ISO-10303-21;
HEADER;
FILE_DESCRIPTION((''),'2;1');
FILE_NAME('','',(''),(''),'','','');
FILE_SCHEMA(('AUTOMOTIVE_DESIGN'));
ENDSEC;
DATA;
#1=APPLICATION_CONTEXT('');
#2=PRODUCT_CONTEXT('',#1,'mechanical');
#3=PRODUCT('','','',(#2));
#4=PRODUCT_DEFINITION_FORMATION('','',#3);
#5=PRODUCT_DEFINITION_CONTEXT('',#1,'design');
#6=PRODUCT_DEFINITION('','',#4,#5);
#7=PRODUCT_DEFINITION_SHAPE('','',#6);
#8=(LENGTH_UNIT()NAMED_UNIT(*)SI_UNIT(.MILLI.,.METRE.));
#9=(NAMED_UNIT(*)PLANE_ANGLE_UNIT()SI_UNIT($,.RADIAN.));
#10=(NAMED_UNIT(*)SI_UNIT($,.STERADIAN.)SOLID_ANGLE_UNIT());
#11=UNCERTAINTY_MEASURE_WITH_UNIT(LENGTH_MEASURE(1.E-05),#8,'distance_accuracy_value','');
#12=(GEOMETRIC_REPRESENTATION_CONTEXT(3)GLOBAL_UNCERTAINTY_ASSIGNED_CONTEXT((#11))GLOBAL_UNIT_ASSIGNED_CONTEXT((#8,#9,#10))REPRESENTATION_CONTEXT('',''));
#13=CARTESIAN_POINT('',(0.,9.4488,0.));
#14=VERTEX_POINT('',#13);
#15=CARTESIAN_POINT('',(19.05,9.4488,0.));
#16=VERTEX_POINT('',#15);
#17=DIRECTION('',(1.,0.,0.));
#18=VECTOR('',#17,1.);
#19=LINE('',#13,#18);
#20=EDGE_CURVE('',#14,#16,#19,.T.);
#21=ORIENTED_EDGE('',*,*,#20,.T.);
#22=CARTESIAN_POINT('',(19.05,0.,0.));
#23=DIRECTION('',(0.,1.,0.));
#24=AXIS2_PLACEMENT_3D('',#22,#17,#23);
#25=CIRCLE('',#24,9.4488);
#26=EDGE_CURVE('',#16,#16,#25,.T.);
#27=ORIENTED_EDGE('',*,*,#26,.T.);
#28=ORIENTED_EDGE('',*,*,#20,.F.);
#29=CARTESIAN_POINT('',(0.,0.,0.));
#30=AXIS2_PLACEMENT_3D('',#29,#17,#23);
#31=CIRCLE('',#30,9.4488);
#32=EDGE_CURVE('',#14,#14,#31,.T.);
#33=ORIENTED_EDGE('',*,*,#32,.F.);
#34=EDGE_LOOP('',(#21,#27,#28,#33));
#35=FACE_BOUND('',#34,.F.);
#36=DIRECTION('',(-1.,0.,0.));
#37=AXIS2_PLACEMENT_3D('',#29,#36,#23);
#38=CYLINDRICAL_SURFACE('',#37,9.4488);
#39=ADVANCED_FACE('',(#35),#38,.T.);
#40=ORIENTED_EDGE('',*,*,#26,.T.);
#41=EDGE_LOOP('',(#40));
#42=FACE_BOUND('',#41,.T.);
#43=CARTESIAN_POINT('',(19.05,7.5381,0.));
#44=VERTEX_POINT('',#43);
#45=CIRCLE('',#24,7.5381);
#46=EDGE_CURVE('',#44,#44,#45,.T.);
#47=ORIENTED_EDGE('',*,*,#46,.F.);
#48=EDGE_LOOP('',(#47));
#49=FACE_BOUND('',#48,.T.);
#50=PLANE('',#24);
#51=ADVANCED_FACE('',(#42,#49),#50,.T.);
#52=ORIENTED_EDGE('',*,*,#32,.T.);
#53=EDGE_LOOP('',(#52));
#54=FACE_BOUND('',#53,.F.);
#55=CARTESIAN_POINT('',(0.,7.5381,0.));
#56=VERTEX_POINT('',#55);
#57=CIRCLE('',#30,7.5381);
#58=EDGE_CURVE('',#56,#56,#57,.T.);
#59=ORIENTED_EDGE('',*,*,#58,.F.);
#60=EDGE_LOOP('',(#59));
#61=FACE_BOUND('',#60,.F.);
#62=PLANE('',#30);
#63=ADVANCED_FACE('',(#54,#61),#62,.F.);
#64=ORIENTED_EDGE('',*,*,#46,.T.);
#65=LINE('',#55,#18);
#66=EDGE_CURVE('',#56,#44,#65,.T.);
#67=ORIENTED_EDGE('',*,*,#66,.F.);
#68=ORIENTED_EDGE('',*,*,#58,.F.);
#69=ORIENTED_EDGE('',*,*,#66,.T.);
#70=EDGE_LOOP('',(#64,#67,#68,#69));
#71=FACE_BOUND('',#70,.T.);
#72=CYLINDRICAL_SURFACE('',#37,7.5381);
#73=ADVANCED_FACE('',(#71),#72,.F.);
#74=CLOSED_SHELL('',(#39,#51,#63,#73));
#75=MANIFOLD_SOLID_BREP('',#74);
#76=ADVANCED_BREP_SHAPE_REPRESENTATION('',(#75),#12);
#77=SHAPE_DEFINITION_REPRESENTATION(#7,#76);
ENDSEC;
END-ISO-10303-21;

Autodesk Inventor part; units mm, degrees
ref_plane "YZ Plane" through (0, 0, 0) normal (1, 0, 0) x (0, 1, 0)
ref_plane "XZ Plane" through (0, 0, 0) normal (0, 1, 0) x (-1, 0, 0)
ref_plane "XY Plane" through (0, 0, 0) normal (0, 0, 1) x (1, 0, 0)
sketch "Sketch1" plane through (0, 0, 0) normal (1, 0, 0) x (0, 1, 0)
  circle A0 centre (0, 0) radius 7.5381
  circle A1 centre (0, 0) radius 9.4488
  dimension "d1" = 18.8976
  dimension "d2" = 15.0762
extrude "Extrusion1" add sketch "Sketch1" along normal blind 19.05
properties part number "TruckBushing" material "ABS Plastic"
